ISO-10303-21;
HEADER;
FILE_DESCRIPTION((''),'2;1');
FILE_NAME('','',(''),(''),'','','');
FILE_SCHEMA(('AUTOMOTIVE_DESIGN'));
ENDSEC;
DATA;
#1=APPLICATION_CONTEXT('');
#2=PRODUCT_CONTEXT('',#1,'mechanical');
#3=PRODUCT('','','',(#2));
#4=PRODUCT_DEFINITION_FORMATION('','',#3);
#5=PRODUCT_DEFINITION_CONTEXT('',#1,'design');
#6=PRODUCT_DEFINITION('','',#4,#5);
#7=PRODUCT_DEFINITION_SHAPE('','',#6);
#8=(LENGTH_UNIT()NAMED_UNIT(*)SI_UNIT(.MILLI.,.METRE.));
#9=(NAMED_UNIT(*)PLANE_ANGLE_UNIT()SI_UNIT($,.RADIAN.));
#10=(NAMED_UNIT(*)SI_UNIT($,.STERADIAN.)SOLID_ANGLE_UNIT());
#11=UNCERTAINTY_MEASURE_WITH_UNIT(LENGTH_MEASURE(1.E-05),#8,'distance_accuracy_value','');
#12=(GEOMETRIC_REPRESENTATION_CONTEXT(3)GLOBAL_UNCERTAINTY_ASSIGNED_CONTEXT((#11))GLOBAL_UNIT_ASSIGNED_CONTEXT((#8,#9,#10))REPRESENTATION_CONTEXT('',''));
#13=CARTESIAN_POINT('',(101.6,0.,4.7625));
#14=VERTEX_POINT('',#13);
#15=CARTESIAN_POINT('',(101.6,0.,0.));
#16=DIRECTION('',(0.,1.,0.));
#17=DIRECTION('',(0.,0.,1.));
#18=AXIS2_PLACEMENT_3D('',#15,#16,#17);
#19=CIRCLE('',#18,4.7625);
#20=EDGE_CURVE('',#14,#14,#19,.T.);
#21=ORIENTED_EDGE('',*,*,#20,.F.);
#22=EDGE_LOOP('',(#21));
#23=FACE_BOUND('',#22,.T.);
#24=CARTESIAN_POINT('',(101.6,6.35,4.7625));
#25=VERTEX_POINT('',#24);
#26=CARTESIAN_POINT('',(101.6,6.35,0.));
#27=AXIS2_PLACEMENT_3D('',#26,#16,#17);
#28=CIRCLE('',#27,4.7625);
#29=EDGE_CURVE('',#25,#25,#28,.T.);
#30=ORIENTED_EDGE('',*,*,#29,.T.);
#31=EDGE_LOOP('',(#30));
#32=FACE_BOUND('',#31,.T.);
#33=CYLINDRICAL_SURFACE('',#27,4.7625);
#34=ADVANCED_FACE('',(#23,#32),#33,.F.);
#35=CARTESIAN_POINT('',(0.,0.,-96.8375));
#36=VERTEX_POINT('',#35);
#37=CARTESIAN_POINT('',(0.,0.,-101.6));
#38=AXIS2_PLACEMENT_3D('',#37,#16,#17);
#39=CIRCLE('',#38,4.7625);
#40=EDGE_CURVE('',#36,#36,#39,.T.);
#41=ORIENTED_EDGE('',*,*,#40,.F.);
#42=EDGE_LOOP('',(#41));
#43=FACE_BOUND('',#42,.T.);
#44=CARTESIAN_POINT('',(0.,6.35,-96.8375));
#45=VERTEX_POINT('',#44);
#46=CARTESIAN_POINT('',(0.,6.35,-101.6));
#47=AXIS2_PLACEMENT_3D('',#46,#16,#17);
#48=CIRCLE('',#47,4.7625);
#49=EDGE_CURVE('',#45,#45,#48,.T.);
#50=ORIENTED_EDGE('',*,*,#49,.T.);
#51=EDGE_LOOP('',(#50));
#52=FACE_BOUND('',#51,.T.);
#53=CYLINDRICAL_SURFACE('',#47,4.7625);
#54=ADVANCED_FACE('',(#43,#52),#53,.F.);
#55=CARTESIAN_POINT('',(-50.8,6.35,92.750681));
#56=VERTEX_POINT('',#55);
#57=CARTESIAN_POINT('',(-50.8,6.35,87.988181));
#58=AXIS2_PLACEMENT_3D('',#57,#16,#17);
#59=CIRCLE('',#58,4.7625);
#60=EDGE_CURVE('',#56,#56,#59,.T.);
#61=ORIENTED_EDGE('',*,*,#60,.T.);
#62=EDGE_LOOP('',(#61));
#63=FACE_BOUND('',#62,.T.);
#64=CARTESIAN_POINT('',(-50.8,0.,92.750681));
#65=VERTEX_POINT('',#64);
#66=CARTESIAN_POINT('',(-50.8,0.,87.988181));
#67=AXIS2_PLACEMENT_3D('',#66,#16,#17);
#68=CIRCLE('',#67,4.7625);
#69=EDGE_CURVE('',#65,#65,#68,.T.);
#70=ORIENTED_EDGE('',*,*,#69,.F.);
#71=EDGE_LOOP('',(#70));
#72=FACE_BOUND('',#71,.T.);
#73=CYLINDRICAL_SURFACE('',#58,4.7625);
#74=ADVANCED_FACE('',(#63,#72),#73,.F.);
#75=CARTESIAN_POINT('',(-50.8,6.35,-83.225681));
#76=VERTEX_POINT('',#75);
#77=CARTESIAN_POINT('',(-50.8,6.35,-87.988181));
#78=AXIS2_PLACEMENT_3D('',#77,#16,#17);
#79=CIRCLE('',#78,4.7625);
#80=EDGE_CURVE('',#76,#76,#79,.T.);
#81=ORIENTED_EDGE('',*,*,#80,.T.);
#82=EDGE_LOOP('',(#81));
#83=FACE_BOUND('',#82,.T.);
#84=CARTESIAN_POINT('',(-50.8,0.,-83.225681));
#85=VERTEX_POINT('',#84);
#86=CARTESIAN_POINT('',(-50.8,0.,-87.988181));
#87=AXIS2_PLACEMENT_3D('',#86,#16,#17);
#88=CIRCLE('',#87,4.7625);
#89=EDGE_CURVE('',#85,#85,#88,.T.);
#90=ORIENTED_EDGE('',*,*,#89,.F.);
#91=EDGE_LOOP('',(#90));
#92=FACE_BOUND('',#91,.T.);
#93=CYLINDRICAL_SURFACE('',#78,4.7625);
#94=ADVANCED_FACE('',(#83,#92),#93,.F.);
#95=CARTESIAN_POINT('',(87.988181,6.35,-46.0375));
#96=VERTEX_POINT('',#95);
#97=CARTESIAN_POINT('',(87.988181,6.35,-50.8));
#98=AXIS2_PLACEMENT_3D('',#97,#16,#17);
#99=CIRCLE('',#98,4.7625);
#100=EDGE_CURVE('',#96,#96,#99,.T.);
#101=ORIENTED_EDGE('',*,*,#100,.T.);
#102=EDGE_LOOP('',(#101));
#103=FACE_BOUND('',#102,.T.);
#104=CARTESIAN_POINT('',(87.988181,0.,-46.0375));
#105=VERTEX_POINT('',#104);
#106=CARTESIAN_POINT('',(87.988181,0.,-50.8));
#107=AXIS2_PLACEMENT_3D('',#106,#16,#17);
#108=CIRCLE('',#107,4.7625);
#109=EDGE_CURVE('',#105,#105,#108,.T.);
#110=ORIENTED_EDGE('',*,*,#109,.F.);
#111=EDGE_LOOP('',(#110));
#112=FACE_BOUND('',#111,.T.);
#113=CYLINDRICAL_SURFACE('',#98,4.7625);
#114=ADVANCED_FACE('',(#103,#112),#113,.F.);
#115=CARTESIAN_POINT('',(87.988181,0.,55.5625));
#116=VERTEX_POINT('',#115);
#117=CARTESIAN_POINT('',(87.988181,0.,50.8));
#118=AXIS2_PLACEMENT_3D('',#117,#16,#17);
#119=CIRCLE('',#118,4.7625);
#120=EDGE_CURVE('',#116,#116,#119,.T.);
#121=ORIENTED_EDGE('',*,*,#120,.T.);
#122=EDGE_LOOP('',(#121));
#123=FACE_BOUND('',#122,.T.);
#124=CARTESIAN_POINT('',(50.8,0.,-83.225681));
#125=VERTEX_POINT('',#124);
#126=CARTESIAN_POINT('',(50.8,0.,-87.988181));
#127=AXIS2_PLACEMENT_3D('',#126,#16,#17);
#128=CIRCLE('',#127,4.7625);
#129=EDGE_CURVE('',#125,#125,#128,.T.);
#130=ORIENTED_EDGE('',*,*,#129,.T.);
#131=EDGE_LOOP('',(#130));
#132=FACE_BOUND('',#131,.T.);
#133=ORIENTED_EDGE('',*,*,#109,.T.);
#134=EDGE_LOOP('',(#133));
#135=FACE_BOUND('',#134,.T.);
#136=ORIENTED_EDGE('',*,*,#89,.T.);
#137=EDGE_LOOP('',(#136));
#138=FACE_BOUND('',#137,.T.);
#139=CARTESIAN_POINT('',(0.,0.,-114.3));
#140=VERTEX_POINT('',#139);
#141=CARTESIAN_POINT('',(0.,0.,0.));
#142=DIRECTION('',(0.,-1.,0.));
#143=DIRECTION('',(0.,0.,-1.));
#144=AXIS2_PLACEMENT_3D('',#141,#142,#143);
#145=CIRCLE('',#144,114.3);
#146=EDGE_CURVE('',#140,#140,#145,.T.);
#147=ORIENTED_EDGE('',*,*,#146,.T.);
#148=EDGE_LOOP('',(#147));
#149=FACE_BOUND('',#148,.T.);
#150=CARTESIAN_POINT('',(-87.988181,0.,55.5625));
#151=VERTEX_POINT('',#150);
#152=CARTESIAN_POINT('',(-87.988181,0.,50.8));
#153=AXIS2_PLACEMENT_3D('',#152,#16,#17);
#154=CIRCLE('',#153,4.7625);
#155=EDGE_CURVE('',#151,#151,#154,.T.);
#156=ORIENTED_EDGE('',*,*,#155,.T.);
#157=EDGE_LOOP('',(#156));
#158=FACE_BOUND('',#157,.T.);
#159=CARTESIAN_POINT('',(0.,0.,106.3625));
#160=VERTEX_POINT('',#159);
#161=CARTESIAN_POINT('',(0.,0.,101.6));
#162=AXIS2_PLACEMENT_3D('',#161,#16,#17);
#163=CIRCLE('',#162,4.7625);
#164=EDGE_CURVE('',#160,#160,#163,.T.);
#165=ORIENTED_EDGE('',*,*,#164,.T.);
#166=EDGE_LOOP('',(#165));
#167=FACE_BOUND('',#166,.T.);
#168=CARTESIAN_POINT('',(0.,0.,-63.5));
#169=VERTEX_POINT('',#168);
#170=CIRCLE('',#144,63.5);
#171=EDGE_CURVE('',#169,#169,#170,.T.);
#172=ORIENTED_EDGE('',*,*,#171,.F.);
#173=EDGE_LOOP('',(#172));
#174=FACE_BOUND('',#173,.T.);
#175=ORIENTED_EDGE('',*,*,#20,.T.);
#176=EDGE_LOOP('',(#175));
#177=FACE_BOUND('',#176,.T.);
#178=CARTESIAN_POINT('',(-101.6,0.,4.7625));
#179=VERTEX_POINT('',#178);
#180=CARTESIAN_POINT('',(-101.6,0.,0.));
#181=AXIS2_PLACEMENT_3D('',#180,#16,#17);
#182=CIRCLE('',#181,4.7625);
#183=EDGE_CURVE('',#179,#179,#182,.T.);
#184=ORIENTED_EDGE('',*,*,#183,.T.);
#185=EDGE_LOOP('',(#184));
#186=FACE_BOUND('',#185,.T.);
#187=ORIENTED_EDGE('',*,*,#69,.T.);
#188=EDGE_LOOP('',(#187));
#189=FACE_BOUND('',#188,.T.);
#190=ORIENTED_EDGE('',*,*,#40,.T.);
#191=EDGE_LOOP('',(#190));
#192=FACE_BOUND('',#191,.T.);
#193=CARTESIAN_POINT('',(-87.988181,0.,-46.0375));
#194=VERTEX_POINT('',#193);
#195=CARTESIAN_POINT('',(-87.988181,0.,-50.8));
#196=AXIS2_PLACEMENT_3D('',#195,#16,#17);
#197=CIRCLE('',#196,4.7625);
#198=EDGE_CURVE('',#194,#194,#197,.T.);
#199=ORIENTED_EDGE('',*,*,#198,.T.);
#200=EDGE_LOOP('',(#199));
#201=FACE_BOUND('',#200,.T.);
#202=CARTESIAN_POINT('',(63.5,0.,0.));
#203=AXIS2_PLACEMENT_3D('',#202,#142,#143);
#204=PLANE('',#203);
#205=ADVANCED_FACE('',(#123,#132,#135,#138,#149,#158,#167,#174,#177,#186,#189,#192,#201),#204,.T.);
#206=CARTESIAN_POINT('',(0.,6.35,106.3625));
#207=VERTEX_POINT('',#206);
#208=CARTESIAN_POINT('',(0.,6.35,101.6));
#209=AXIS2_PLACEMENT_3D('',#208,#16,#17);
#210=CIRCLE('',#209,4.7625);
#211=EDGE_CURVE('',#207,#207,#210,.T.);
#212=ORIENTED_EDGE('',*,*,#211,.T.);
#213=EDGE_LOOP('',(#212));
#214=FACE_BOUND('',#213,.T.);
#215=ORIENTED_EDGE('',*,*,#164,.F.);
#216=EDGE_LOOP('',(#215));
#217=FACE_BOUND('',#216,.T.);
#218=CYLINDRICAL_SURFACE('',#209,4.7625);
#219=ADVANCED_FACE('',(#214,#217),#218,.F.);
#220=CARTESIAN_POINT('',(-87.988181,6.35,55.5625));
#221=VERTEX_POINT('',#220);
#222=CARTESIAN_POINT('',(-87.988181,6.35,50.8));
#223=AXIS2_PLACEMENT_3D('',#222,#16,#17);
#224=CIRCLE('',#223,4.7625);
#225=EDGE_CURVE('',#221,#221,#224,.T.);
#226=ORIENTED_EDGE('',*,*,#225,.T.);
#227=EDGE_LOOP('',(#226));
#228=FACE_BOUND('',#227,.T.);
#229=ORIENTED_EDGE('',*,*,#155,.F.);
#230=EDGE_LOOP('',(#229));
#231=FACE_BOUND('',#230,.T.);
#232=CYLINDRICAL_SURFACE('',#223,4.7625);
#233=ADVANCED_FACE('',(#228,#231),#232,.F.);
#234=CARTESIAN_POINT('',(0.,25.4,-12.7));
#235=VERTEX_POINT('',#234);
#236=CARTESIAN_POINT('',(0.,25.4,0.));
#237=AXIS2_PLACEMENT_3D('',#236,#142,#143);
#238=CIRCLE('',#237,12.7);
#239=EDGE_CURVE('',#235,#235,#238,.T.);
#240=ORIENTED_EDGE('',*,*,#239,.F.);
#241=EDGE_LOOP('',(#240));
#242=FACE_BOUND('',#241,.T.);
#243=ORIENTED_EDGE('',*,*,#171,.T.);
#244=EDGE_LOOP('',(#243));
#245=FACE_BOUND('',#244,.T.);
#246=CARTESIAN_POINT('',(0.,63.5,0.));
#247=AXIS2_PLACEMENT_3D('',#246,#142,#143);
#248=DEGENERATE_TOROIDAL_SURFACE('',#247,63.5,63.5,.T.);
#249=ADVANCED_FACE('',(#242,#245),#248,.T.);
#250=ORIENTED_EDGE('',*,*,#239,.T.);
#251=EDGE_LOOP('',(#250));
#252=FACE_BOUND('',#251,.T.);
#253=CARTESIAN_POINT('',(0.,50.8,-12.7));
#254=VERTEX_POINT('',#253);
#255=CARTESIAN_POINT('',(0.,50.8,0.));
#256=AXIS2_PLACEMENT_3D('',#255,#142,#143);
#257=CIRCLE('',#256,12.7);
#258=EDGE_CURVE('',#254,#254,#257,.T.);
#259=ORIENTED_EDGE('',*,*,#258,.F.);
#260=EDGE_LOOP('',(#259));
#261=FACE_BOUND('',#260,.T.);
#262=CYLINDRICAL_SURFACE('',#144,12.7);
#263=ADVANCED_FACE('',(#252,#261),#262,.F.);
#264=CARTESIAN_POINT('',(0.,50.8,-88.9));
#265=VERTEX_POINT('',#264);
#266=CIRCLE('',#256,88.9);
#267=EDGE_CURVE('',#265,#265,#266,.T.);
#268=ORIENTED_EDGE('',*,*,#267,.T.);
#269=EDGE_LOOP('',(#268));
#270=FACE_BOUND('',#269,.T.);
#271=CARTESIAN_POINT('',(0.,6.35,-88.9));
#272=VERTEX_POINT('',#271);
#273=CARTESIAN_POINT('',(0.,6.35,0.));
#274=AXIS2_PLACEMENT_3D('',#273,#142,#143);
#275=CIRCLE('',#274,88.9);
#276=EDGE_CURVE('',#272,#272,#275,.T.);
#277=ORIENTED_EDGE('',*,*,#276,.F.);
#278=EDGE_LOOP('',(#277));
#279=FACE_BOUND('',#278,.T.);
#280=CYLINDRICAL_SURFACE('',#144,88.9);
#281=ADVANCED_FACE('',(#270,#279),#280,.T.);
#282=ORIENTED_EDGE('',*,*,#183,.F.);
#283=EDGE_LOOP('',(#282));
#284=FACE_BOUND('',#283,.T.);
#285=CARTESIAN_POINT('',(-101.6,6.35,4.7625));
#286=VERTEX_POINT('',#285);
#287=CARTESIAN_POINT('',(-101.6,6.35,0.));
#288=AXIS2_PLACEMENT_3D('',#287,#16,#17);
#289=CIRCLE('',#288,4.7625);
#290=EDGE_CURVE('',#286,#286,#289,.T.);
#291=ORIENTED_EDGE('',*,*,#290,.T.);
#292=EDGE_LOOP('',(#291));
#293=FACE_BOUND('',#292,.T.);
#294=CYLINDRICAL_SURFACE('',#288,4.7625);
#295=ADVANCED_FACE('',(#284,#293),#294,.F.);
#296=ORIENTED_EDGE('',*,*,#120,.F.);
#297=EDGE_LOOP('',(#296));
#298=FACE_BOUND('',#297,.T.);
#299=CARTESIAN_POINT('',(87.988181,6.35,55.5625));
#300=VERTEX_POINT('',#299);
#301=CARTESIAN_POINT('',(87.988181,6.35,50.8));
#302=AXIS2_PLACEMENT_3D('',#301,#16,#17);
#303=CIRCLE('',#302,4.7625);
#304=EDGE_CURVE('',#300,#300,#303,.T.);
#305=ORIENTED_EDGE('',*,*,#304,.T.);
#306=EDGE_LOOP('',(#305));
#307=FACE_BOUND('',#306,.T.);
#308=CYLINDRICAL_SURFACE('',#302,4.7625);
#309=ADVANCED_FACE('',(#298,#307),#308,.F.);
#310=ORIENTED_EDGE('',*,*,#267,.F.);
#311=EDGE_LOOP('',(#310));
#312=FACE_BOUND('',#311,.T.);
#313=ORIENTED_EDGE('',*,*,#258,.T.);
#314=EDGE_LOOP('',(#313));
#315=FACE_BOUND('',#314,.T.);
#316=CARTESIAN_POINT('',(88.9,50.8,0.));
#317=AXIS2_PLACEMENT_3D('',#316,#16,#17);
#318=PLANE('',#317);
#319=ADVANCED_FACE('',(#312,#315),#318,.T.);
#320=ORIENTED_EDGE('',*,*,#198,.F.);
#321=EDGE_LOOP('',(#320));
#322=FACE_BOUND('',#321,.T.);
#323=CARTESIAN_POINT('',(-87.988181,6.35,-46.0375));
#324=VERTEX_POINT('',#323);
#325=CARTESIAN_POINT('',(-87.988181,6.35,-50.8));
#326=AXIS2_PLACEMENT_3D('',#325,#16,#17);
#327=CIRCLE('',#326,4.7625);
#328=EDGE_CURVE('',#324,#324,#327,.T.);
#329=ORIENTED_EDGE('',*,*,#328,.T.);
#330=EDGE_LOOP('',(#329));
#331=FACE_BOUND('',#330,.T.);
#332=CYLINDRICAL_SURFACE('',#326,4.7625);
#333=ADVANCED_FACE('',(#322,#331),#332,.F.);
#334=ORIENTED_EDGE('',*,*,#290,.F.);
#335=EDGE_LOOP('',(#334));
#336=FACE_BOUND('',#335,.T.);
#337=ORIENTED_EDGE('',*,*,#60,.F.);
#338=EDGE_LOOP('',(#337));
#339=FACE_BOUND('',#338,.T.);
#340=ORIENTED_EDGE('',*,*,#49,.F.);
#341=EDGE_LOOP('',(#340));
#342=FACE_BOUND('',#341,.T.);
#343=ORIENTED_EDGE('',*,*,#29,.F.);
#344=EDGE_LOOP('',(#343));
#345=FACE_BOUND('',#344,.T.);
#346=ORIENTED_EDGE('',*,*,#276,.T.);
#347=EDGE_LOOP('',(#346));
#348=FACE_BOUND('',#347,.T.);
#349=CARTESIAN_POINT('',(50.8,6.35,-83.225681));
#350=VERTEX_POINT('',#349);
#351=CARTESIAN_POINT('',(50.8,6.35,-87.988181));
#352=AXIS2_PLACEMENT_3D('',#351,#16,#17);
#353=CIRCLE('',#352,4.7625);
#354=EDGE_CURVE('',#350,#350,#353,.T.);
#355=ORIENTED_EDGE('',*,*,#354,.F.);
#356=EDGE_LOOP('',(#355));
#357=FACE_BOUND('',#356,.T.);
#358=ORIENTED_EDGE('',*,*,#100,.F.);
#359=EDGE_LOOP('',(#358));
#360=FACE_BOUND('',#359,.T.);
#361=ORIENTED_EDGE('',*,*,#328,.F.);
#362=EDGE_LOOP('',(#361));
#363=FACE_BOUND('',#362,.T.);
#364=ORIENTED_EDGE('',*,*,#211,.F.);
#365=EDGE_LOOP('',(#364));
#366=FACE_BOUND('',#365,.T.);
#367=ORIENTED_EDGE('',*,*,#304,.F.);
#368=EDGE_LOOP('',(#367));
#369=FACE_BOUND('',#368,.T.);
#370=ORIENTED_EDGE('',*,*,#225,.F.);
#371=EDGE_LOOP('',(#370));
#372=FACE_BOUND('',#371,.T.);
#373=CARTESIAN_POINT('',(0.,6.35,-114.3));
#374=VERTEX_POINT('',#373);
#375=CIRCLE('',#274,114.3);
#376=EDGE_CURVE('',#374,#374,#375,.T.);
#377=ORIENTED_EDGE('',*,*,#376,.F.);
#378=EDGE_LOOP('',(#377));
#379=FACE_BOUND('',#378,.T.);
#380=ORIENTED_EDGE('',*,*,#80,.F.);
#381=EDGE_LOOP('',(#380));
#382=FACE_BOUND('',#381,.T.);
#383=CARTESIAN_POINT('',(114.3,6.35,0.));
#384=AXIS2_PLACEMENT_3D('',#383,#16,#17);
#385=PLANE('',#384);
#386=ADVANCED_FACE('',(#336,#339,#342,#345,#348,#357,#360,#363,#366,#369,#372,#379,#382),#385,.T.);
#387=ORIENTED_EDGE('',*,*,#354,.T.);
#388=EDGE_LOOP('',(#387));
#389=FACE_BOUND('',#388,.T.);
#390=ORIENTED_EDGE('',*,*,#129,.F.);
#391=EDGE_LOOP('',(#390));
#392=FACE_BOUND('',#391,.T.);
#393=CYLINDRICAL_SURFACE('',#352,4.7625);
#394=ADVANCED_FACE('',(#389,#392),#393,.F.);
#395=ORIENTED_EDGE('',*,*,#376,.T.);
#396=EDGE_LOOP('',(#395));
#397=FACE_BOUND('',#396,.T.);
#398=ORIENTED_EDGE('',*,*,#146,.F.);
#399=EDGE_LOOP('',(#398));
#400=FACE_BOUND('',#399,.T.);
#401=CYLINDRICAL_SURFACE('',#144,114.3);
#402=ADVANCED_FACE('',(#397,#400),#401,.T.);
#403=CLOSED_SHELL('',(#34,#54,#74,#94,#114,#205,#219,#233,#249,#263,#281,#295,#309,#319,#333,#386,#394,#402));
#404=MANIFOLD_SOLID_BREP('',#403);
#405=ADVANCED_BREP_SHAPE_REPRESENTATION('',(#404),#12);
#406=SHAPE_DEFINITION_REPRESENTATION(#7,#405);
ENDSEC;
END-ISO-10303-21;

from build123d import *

# Parameters (mm, degrees)
F_3_8_0_375_DIAMETER_HOLE2_D = 9.525
CIRPATTERN2_COUNT            = 12


with BuildPart() as part:
    # Sketch1 → Revolve1 (revolve)
    with BuildSketch(Plane.XY, mode=Mode.PRIVATE) as revolve1_sk:
        with BuildLine():
            Line((12.7, 50.8), (12.7, 25.4))
            ThreePointArc((12.7, 25.4), (35.101936686, 6.703873372), (63.5, 0))
            Line((63.5, 0), (114.3, 0))
            Line((114.3, 0), (114.3, 6.35))
            Line((114.3, 6.35), (88.9, 6.35))
            Line((88.9, 6.35), (88.9, 50.8))
            Line((88.9, 50.8), (12.7, 50.8))
        make_face()
    revolve(revolve1_sk.sketch.rotate(Axis((0, 0, 0), (0, 1, 0)), 90), axis=Axis((0, 0, 0), (0, 1, 0)))

    # 3/8 (0.375) Diameter Hole2 (through all)
    with Locations(Plane(origin=(0, 6.35, 0), x_dir=(1, 0, 0), z_dir=(0, 1, 0))):
        with Locations((0, -101.6)):
            f_3_8_0_375_diameter_hole2 = Hole(F_3_8_0_375_DIAMETER_HOLE2_D / 2)

    # CirPattern2: 3/8 (0.375) Diameter Hole2 ×12 about axis, 1 skipped
    cirpattern2_axis = Axis((0, 0, 0), (0, 1, 0))
    add([f_3_8_0_375_diameter_hole2.rotate(cirpattern2_axis, i * 360 / CIRPATTERN2_COUNT) for i in range(1, CIRPATTERN2_COUNT) if i not in (1,)], mode=Mode.SUBTRACT)


solid = part.part
